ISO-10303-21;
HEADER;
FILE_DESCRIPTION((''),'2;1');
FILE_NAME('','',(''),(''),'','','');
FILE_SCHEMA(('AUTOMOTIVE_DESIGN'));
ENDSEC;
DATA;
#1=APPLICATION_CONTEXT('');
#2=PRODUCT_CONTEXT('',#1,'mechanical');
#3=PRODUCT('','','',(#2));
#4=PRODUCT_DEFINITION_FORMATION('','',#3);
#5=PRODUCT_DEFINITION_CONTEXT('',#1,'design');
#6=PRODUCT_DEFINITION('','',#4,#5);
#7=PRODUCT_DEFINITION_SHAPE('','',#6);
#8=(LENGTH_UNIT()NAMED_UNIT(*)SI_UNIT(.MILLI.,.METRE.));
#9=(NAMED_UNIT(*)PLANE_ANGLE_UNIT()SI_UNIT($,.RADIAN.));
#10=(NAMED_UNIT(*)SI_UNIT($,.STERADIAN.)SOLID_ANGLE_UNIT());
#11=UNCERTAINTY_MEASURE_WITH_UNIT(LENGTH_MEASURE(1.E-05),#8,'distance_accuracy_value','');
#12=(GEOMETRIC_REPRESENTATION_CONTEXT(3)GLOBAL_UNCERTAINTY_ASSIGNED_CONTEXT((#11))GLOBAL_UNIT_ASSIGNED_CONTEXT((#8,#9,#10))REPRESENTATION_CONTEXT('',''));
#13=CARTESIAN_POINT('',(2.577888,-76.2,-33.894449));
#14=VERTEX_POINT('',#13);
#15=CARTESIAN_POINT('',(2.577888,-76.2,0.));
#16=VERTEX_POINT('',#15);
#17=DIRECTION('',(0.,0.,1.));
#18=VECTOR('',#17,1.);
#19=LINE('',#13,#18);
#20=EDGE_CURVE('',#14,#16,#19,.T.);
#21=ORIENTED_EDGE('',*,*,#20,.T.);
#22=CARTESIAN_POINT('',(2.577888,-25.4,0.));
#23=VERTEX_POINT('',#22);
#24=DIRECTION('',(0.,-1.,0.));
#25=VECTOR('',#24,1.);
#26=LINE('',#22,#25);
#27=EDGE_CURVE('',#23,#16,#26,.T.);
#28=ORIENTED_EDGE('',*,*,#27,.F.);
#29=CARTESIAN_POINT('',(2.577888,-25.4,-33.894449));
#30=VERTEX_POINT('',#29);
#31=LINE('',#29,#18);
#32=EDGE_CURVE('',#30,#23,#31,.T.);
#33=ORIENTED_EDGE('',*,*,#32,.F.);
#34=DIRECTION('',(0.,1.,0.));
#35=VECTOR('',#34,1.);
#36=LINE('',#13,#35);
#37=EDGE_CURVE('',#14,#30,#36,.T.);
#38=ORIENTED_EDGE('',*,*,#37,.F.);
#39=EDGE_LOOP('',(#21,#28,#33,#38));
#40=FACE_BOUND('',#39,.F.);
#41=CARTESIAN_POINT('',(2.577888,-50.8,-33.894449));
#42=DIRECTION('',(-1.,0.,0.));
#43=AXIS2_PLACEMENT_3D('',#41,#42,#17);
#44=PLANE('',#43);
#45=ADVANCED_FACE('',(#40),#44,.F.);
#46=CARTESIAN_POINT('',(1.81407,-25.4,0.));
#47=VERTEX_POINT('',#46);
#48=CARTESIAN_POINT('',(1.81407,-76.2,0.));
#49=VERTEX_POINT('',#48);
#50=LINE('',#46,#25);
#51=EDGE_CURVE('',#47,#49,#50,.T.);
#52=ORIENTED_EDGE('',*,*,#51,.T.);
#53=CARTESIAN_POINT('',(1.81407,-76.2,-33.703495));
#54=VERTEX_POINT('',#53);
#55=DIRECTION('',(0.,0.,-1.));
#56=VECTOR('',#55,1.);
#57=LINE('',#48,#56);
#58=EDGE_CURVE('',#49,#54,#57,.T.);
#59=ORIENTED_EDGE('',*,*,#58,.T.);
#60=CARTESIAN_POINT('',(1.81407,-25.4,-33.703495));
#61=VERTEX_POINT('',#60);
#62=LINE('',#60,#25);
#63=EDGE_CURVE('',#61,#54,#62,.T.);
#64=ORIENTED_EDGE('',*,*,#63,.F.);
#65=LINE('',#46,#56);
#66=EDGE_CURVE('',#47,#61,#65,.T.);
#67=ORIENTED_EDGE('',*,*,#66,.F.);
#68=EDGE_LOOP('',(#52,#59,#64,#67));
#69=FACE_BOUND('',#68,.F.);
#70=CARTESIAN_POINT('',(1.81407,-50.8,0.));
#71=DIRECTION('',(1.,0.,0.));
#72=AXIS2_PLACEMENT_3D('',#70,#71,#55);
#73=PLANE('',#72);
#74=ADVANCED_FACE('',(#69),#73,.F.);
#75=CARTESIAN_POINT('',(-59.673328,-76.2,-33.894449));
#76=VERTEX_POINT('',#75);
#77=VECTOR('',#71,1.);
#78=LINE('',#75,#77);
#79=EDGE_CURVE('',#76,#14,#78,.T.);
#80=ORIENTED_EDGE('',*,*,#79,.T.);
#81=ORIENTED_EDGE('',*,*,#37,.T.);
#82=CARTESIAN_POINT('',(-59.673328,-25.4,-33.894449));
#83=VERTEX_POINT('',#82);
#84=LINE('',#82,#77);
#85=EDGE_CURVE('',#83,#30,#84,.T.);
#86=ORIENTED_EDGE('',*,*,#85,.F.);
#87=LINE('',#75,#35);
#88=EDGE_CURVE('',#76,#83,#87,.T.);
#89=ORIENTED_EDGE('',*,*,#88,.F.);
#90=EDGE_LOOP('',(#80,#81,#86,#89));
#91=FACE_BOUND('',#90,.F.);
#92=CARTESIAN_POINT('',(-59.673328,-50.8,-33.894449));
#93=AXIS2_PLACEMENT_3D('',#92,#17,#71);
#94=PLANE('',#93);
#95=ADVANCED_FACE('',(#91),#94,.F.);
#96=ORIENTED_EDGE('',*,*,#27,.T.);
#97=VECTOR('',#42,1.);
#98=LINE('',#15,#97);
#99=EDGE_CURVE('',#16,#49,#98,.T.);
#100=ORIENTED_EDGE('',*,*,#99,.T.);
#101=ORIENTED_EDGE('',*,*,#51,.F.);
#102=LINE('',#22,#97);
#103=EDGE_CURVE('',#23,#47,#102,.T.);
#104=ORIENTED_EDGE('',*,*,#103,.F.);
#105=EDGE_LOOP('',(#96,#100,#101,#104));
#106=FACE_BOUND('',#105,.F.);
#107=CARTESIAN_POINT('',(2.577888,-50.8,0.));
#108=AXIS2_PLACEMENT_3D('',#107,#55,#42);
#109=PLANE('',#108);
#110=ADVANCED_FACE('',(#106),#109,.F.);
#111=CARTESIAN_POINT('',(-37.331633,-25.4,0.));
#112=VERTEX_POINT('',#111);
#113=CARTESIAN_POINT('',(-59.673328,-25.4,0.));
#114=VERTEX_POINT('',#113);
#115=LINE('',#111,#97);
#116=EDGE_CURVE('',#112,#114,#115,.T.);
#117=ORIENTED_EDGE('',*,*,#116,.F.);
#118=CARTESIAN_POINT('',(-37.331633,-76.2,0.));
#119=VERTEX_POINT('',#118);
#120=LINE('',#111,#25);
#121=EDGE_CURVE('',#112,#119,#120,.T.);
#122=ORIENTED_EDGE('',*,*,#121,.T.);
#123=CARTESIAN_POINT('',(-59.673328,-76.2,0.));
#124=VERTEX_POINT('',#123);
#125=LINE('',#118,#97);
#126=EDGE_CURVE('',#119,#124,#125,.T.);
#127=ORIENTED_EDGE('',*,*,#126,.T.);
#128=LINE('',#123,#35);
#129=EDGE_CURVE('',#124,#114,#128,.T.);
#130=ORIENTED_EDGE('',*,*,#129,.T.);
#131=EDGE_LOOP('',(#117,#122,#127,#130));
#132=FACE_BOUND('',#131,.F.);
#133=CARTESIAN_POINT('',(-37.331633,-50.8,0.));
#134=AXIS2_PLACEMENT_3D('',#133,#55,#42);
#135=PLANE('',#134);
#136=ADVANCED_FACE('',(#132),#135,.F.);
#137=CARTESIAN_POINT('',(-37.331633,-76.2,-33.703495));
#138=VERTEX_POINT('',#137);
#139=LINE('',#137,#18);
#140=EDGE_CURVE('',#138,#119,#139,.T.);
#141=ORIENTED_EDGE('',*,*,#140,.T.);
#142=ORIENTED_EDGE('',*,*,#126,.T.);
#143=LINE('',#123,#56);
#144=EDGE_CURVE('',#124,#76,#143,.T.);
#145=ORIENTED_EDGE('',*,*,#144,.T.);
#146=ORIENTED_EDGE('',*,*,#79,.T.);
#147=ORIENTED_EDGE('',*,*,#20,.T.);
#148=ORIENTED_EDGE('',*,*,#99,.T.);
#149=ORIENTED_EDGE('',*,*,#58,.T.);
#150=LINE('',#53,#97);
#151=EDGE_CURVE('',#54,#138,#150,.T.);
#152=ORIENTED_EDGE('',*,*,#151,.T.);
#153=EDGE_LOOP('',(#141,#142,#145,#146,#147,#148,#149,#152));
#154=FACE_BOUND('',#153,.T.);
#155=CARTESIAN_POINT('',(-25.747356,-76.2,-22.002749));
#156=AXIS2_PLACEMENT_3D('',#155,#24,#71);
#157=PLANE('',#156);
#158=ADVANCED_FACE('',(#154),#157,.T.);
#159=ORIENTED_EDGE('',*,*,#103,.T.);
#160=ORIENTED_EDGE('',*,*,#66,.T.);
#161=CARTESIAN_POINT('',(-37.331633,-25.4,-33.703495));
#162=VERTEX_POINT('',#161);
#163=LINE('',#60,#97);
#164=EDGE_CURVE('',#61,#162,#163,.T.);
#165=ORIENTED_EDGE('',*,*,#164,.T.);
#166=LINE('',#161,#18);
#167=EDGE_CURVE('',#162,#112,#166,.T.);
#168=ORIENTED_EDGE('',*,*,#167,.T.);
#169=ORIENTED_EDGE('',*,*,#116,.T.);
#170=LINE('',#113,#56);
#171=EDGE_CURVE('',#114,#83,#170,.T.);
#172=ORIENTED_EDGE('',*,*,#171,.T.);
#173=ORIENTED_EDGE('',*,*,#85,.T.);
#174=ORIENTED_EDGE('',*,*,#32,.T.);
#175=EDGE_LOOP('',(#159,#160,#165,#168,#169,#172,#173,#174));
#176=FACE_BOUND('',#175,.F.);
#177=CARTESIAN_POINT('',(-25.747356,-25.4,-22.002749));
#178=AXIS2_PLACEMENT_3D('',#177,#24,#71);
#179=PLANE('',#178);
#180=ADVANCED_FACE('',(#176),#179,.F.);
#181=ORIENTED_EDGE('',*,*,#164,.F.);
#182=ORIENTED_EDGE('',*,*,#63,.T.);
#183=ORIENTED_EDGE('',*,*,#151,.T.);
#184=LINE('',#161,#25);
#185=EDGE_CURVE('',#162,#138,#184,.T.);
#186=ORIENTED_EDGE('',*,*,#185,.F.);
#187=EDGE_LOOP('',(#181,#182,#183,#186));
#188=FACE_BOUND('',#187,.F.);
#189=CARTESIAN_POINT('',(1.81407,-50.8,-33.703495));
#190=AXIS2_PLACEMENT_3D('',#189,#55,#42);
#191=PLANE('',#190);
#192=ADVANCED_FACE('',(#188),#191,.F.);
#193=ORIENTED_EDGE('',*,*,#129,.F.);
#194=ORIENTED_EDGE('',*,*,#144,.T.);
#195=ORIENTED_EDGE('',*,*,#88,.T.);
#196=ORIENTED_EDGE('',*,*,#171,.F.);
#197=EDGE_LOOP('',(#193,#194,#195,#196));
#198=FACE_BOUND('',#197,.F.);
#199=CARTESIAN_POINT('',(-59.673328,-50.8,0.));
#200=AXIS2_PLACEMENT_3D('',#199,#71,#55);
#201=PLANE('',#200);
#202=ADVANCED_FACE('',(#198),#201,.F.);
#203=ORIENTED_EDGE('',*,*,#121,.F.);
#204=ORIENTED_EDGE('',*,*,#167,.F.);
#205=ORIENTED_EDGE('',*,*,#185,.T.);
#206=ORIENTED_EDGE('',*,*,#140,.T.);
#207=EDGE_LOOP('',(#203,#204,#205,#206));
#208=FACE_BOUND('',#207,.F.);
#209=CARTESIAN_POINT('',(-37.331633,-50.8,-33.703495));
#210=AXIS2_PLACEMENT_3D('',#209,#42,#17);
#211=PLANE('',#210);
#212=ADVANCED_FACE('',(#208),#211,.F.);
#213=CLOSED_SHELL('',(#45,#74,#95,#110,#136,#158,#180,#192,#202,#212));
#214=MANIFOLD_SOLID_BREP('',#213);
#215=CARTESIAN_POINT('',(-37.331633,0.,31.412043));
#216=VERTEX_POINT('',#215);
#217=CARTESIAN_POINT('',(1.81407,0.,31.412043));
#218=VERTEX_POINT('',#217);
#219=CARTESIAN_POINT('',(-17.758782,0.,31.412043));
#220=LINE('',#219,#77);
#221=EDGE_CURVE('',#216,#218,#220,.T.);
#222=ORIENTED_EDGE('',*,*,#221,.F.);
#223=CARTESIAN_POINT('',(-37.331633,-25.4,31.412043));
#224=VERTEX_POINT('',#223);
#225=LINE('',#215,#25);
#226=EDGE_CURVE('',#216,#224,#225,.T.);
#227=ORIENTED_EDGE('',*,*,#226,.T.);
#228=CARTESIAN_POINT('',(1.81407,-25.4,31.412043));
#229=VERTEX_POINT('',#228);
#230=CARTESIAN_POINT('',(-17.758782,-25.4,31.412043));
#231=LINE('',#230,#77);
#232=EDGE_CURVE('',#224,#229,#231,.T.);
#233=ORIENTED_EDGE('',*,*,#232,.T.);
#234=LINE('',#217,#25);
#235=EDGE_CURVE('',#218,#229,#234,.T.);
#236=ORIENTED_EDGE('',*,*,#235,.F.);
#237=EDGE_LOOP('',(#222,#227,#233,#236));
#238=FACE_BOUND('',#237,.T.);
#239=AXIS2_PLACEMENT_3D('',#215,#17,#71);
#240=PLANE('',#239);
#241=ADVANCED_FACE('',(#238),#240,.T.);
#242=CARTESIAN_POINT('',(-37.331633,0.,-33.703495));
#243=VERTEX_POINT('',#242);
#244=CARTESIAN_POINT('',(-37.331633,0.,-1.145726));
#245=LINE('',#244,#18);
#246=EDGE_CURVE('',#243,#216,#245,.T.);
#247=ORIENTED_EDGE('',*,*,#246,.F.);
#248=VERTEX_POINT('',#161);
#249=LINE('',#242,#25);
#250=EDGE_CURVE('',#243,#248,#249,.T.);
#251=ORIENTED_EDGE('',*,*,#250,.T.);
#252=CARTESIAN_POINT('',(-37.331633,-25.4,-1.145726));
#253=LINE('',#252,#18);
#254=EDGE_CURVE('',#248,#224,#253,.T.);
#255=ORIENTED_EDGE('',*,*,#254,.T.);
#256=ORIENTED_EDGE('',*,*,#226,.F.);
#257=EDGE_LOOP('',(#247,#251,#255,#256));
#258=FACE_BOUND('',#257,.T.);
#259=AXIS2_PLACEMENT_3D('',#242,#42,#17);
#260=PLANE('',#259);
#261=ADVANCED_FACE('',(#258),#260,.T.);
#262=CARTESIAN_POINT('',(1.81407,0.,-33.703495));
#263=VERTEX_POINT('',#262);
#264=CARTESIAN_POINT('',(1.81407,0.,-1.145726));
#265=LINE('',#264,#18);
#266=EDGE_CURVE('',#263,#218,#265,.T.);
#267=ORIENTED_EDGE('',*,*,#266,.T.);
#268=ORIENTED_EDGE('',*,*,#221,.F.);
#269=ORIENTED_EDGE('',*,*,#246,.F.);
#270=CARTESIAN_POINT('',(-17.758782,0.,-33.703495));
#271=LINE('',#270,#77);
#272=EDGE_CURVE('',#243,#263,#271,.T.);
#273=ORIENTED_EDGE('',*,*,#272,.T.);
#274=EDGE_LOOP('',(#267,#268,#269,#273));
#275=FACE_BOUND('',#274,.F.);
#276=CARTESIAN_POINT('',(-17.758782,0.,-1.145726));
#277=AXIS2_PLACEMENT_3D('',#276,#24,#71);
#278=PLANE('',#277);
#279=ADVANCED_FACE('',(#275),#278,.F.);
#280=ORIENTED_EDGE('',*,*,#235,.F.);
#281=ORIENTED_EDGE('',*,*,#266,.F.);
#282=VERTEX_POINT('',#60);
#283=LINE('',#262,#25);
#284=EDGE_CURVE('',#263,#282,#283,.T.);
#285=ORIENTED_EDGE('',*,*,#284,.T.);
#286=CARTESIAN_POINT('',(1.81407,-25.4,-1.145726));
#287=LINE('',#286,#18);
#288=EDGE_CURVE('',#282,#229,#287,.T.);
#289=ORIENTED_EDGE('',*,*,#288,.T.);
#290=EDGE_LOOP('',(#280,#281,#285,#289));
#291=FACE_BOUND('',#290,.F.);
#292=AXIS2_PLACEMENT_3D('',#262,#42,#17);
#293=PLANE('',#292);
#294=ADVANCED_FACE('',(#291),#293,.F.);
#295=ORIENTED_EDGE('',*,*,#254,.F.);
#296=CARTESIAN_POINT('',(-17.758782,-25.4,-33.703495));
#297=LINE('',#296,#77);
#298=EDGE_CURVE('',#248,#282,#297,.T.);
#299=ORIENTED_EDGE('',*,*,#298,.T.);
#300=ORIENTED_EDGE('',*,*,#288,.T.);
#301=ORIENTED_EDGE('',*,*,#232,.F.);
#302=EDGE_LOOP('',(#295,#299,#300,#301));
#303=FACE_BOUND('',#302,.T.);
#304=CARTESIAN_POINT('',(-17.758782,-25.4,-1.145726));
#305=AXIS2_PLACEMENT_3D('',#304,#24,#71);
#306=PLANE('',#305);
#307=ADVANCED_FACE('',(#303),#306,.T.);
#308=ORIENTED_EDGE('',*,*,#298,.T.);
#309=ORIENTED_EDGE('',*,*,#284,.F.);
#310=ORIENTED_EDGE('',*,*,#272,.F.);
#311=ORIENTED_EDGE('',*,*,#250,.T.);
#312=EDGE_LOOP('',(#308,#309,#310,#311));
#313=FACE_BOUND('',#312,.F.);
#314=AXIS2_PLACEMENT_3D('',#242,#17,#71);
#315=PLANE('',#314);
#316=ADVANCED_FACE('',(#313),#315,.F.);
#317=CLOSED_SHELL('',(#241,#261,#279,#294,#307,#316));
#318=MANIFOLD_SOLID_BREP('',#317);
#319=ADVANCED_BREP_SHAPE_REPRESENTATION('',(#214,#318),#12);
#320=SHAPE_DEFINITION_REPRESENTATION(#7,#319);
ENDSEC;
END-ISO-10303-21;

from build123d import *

# Parameters (mm, degrees)
F0_W     = 39.1457030782
F0_H     = 65.1155374944
F1_DEPTH = 25.4
F4_DEPTH = 25.4
F5_DEPTH = 25.4


with BuildPart() as f1:
    # F0 (on Front) → F1 (new body)
    with BuildSketch(Plane.XZ):
        with Locations((-17.7587817307, -1.1457260698)):
            Rectangle(F0_W, F0_H)
    extrude(amount=F1_DEPTH)


with BuildPart() as f4:
    # F3 (on face) → F4 (new body)
    with BuildSketch(Plane.XZ.offset(25.4)):
        Polygon((2.5778883137, -33.8944494724), (2.5778883137, 0), (1.8140698085, 0), (1.8140698085, -33.703494817), (-37.3316332698, -33.703494817), (-37.3316332698, 0), (-59.6733279526, 0), (-59.6733279526, -33.8944494724), align=None)
    extrude(amount=F4_DEPTH)

    # F5 (add): a face of the model
    f5_faces = [f4.faces().sort_by_distance(p)[0] for p in [
        (-46.5516742238, -50.8, -17.1065517655),
    ]]
    extrude(f5_faces, amount=F5_DEPTH)


solid = Compound([f1.part, f4.part])
